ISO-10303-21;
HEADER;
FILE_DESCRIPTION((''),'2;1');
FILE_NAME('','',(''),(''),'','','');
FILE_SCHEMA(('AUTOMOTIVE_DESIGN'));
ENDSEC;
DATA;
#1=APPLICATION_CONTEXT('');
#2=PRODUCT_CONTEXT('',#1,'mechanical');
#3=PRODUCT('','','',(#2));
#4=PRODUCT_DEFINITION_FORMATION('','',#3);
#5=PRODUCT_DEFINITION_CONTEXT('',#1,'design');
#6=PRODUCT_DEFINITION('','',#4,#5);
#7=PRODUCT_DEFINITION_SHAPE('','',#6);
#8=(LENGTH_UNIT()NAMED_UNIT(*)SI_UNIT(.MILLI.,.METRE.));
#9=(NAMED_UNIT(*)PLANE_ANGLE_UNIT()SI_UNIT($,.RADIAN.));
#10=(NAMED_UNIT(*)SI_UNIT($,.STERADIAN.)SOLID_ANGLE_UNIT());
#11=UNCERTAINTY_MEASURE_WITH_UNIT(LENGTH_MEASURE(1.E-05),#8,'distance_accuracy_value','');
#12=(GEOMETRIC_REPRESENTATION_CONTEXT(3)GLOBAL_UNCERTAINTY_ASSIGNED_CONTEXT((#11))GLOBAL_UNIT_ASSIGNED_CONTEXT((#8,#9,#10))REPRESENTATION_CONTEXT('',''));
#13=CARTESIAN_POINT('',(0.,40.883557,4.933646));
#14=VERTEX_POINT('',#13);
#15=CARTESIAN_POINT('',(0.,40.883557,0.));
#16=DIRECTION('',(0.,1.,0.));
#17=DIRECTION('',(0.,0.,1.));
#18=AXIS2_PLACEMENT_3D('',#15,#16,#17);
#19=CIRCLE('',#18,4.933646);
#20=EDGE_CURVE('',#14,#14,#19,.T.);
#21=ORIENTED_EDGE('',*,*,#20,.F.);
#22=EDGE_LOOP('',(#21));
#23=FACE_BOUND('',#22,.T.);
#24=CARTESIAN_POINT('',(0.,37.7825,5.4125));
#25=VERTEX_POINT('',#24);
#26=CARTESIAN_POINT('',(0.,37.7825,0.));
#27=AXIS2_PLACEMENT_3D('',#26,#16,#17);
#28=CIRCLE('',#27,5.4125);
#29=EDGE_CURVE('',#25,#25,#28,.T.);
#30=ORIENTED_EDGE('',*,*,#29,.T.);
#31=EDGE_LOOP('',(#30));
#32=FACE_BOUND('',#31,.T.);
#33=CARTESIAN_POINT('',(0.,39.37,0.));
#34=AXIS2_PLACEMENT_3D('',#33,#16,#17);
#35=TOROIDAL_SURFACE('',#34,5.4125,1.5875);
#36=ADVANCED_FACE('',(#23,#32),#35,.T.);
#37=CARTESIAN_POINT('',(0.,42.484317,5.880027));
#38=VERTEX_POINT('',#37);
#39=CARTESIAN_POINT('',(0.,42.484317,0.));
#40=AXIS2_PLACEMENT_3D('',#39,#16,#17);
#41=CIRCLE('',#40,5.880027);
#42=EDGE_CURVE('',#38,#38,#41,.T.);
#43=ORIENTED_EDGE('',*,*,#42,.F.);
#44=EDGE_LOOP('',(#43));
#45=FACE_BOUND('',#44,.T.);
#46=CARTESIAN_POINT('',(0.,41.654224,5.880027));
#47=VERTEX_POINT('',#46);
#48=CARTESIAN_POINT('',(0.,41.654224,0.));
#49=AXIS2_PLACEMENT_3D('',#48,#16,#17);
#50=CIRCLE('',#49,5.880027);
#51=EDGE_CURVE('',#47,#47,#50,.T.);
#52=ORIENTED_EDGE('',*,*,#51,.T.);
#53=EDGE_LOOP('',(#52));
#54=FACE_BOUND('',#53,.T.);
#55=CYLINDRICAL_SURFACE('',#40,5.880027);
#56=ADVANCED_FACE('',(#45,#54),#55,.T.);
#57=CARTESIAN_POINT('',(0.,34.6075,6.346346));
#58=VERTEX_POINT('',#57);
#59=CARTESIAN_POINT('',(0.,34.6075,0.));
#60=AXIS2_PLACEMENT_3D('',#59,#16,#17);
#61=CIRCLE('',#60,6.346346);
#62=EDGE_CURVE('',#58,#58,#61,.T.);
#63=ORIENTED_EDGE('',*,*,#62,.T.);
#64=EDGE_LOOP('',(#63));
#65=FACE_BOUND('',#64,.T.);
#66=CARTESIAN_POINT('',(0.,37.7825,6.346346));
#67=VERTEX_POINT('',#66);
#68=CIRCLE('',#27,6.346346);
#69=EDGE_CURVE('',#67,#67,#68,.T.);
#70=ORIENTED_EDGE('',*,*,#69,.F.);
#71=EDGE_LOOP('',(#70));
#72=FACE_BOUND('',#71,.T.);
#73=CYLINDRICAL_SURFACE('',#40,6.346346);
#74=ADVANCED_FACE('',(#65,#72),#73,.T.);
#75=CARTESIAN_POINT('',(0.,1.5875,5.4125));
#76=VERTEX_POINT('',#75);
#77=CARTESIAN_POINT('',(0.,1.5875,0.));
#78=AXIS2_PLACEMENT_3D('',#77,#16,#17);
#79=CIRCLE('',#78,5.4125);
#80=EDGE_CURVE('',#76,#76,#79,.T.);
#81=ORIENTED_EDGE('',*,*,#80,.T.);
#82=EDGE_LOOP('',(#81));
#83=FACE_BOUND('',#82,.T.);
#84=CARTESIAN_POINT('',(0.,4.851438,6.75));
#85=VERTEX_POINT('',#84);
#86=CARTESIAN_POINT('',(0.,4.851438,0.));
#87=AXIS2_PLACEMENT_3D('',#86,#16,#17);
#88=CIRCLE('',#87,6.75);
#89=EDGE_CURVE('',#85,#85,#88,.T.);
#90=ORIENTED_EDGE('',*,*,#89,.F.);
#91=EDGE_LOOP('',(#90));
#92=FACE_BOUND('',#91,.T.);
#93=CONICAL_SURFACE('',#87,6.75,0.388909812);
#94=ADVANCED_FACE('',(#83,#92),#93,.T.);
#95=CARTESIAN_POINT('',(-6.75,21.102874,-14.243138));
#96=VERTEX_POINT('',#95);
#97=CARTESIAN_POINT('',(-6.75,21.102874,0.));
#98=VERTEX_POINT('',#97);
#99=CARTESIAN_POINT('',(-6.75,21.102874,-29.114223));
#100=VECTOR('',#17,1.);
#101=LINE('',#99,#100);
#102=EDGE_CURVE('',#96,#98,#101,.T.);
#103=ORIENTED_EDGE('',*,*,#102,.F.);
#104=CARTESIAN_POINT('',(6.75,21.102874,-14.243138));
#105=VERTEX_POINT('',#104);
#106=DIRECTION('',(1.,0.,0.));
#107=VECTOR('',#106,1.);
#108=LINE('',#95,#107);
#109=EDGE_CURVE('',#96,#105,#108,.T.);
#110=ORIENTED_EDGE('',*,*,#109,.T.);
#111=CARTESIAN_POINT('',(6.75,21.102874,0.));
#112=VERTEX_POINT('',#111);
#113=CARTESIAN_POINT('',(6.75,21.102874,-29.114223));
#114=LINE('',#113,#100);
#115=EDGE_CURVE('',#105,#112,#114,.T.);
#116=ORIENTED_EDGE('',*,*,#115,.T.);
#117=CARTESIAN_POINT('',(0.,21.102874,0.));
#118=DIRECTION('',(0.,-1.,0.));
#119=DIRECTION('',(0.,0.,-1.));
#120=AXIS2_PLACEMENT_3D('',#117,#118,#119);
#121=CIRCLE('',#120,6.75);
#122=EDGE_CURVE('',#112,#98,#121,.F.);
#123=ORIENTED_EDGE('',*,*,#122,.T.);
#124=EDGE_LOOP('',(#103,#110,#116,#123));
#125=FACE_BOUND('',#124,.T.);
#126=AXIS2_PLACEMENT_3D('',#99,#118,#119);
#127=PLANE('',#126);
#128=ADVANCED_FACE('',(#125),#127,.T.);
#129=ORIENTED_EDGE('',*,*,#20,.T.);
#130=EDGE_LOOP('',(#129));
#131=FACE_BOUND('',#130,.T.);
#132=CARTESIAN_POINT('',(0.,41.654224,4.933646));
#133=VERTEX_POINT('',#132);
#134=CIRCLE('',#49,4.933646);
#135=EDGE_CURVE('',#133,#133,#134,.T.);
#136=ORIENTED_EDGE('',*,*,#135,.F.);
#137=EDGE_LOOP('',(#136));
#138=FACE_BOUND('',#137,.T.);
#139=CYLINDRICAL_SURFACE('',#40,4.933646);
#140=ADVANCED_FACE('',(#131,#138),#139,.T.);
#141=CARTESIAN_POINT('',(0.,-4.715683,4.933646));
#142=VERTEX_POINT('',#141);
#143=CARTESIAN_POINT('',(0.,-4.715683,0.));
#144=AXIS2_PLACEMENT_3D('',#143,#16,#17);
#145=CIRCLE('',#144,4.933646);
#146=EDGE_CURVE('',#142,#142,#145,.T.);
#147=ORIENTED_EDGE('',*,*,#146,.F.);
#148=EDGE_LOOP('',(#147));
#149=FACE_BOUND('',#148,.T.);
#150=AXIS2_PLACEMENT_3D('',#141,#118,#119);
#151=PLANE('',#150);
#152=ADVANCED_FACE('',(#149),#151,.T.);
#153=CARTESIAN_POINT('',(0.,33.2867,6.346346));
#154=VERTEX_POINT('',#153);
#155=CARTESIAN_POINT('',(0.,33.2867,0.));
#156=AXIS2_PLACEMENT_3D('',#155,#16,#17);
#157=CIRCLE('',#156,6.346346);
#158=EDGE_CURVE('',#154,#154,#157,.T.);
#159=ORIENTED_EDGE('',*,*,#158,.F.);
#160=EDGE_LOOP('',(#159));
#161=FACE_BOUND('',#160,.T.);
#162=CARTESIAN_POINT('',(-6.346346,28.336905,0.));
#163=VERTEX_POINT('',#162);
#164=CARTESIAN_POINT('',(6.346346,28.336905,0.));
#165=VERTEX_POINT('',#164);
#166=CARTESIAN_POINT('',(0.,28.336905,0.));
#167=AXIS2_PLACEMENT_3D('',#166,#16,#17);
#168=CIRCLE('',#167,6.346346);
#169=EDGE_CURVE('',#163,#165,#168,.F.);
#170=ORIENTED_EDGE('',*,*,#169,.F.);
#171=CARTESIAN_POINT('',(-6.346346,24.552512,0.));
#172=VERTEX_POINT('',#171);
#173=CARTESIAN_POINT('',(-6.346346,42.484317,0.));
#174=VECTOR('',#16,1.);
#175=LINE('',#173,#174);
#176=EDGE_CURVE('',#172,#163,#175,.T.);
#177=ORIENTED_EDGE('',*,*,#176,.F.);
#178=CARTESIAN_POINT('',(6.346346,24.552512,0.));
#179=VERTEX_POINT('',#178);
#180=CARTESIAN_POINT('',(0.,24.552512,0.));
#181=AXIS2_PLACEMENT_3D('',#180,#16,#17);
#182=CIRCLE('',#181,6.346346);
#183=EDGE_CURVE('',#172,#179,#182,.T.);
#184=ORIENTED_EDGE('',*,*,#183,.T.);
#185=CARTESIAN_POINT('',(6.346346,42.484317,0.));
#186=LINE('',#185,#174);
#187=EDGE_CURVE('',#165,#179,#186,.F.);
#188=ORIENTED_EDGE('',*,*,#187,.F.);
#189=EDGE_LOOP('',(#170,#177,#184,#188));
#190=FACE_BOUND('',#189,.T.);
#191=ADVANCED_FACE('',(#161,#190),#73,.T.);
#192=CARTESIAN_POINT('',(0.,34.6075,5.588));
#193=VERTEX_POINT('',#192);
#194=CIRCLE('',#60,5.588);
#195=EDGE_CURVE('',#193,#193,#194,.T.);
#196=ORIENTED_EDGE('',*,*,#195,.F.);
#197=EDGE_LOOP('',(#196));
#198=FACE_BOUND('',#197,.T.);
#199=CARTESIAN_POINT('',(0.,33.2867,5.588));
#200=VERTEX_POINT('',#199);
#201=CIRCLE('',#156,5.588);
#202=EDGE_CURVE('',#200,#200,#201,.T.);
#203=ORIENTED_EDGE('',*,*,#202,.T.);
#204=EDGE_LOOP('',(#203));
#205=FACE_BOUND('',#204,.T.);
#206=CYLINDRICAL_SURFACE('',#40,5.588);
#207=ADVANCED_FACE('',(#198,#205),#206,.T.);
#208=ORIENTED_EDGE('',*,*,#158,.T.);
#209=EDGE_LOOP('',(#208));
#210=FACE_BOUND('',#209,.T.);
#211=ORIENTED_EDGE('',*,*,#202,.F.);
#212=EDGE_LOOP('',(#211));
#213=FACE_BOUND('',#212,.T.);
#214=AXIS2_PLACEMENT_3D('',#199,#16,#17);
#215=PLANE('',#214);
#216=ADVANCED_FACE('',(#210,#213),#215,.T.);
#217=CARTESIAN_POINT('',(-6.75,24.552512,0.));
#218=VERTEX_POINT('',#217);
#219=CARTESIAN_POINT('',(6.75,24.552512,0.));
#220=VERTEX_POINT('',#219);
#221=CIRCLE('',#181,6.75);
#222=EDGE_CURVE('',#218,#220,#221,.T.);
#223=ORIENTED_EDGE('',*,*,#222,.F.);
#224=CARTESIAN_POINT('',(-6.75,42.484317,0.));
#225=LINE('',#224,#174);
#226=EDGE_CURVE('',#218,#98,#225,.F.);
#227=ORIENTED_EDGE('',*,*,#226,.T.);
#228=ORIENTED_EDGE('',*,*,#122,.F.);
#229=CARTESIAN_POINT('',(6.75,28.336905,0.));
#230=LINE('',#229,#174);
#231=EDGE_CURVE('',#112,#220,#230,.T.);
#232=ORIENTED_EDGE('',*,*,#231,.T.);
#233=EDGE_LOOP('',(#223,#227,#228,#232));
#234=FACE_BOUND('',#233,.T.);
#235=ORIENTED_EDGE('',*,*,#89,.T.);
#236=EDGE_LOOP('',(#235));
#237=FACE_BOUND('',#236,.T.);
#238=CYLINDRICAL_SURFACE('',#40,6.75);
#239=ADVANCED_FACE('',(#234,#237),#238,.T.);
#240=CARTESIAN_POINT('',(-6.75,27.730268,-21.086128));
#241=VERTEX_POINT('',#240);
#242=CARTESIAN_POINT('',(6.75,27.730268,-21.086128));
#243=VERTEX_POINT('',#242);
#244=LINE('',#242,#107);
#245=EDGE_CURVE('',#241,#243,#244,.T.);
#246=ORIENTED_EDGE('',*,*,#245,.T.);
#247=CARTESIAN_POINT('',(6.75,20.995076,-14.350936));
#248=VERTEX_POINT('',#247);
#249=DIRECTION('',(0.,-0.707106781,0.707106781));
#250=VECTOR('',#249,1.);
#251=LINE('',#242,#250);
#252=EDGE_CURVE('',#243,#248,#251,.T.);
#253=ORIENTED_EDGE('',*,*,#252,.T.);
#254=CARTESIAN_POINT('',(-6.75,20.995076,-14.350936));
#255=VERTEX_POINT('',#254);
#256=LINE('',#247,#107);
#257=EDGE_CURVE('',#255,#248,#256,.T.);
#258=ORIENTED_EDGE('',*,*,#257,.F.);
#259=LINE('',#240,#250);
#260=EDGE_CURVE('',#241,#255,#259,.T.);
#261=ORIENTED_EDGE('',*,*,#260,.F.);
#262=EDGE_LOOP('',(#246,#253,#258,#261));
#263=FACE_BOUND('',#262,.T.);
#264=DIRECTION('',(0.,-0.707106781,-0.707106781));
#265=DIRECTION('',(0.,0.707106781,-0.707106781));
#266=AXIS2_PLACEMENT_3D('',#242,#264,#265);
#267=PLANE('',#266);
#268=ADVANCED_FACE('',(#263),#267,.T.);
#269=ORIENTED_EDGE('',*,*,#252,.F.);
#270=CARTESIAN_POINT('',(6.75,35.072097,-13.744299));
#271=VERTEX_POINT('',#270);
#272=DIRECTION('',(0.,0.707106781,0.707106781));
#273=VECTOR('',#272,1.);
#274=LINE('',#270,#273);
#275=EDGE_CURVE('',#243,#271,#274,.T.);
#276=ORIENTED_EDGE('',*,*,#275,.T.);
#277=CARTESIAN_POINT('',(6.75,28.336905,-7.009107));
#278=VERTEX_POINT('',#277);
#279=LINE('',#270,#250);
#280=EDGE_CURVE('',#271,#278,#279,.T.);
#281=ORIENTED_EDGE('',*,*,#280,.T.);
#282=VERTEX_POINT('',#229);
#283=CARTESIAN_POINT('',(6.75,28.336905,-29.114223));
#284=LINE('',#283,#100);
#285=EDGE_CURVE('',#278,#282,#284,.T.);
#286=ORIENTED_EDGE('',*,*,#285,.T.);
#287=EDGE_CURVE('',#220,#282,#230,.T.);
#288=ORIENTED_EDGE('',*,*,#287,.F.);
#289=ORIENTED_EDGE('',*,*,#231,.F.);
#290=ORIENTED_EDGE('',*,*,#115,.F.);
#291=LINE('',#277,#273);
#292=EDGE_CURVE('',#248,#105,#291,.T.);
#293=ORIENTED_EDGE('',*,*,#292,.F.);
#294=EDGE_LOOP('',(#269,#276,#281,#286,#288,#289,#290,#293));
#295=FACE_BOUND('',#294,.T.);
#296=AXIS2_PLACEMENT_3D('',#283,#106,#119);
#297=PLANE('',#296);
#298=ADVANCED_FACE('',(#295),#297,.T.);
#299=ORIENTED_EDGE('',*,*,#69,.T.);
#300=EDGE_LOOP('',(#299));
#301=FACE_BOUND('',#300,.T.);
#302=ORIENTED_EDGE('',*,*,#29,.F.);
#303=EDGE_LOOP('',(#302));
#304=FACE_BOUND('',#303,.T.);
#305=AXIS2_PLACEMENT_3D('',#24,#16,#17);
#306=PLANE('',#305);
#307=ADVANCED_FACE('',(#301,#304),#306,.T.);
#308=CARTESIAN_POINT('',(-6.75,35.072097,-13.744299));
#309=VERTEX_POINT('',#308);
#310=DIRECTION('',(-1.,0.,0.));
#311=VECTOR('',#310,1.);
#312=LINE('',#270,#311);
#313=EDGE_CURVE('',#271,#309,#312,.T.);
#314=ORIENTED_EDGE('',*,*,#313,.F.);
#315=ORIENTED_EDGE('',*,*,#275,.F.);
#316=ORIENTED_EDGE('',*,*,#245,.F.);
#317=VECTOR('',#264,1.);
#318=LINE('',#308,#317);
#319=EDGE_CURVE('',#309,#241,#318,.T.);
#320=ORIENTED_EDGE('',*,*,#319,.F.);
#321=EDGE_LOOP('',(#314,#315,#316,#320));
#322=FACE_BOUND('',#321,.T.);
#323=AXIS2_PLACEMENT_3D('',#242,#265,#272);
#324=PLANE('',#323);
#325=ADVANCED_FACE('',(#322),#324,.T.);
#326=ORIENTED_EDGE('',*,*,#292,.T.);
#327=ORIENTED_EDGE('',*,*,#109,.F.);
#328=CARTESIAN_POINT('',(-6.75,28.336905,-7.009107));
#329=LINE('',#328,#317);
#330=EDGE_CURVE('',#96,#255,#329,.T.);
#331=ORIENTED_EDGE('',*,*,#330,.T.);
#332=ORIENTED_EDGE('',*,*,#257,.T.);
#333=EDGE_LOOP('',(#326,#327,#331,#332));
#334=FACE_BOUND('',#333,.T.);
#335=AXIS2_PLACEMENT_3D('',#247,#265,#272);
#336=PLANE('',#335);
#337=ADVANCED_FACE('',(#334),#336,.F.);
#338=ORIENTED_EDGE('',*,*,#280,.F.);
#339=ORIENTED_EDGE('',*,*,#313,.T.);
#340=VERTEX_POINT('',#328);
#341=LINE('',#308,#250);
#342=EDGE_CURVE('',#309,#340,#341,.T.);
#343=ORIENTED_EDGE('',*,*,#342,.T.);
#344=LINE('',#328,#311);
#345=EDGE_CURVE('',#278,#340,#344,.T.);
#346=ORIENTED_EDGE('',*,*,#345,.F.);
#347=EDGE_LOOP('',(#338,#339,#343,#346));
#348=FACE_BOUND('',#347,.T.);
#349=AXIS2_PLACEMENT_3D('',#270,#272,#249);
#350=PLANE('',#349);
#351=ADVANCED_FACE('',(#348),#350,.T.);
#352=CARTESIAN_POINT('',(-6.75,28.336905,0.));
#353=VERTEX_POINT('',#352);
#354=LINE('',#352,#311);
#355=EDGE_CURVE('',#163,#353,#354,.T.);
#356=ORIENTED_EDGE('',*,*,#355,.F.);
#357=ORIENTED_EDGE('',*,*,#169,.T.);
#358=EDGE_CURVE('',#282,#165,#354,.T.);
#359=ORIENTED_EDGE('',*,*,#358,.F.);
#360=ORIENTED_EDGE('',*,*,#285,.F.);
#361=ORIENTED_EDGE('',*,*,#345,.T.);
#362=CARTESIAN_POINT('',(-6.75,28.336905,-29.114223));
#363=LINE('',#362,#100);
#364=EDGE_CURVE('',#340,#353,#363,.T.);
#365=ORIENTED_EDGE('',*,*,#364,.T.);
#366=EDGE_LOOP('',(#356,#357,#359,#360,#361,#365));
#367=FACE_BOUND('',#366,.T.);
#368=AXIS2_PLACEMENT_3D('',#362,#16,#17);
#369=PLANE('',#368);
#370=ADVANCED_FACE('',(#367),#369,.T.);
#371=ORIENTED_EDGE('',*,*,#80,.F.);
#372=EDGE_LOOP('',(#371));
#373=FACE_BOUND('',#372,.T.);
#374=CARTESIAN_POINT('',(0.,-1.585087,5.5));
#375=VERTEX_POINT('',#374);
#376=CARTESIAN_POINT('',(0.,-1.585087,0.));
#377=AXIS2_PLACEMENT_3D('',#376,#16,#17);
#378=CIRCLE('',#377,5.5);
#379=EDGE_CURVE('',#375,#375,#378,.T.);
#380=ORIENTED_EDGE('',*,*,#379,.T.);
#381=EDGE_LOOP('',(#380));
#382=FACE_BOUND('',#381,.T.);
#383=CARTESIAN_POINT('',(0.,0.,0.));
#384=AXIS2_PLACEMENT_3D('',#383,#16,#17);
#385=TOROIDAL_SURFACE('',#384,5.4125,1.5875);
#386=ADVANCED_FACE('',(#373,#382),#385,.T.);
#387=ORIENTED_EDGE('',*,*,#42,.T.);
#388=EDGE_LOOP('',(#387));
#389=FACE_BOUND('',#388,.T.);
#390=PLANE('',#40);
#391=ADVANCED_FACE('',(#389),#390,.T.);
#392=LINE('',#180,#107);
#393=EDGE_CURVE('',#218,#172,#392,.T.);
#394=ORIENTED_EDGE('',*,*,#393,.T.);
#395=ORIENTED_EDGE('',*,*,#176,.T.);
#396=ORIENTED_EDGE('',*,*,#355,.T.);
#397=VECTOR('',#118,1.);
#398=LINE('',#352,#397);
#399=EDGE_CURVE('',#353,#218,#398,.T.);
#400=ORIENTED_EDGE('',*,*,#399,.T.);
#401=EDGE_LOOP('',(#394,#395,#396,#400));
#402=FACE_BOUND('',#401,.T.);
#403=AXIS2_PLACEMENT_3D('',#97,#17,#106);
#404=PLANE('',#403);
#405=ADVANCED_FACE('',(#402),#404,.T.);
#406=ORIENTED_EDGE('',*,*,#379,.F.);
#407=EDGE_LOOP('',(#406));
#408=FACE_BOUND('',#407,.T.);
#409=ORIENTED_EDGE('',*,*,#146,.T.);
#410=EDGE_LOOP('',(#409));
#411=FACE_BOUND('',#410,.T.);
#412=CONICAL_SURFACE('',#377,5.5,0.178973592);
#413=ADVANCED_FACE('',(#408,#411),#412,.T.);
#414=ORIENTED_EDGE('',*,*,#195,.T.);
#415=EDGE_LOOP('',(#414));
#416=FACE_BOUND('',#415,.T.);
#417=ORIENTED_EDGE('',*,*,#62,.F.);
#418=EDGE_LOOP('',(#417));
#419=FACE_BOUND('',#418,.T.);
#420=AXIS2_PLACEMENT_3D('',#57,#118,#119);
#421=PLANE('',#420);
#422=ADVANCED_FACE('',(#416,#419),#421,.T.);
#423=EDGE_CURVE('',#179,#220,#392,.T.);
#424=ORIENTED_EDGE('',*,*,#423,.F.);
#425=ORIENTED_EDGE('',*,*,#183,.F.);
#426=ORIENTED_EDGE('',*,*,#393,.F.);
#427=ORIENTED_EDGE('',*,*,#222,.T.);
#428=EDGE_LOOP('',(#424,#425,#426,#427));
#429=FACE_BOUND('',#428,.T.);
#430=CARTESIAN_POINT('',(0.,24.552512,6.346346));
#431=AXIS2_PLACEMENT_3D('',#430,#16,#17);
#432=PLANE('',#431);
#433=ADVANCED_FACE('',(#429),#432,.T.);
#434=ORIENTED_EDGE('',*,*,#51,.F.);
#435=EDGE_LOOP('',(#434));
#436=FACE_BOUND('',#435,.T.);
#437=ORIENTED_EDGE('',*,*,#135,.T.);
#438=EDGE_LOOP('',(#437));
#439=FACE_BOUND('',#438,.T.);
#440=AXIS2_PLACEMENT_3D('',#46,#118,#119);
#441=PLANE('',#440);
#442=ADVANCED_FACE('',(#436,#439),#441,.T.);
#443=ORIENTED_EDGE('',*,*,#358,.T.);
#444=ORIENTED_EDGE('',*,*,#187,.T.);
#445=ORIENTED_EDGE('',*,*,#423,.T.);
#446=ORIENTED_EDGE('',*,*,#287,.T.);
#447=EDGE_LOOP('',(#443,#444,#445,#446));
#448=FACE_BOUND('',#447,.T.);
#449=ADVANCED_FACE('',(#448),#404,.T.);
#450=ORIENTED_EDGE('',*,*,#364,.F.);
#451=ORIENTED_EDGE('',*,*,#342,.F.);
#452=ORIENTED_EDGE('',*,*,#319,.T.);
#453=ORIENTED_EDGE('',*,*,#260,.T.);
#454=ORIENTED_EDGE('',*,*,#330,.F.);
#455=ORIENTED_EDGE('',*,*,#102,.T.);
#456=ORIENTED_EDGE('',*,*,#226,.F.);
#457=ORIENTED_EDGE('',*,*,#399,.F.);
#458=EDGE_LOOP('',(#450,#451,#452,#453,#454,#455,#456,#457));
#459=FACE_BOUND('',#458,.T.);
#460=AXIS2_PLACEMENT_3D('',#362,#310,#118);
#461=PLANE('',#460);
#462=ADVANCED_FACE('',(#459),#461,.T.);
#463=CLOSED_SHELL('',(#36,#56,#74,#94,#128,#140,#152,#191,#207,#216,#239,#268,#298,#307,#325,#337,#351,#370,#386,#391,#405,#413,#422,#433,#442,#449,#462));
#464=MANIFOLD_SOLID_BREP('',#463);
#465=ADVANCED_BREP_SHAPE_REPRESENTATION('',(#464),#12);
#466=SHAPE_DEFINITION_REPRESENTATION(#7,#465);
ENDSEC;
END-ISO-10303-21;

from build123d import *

# Parameters (mm, degrees)
SKETCH3_W           = 13.5
SKETCH3_H           = 10.382914324
BOSS_EXTRUDE1_DEPTH = 9.525
BOSS_EXTRUDE2_START = -14.243138
SKETCH4_W           = 13.5
SKETCH4_H           = 7.234030804
BOSS_EXTRUDE2_DEPTH = 14.243138


with BuildPart() as part:
    # Sketch1 → Revolve1 (revolve)
    with BuildSketch(Plane(origin=(0, 0, 0), x_dir=(0, 0, -1), z_dir=(1, 0, 0))):
        with BuildLine():
            Line((0, 42.48431703), (0, -4.71568297))
            Line((0, -4.71568297), (-4.933645932, -4.71568297))
            Line((-4.933645932, -4.71568297), (-5.5, -1.585086748))
            ThreePointArc((-5.5, -1.585086748), (-6.999396572, 0.043766636), (-5.4125, 1.5875))
            Line((-5.4125, 1.5875), (-6.75, 4.851437808))
            Line((-6.75, 4.851437808), (-6.75, 24.552512087))
            Line((-6.75, 24.552512087), (-6.346345985, 24.552512087))
            Line((-6.346345985, 24.552512087), (-6.346345985, 33.2867))
            Line((-6.346345985, 33.2867), (-5.588, 33.2867))
            Line((-5.588, 33.2867), (-5.588, 34.6075))
            Line((-5.588, 34.6075), (-6.346345985, 34.6075))
            Line((-6.346345985, 34.6075), (-6.346345985, 37.7825))
            Line((-6.346345985, 37.7825), (-5.4125, 37.7825))
            ThreePointArc((-5.4125, 37.7825), (-6.981405369, 39.612264718), (-4.933645932, 40.883557079))
            Line((-4.933645932, 40.883557079), (-4.933645932, 41.654223502))
            Line((-4.933645932, 41.654223502), (-5.880026524, 41.654223502))
            Line((-5.880026524, 41.654223502), (-5.880026524, 42.48431703))
            Line((-5.880026524, 42.48431703), (0, 42.48431703))
        make_face()
    revolve(axis=Axis((0, 42.48431703, 0), (0, -1, 0)))



with BuildPart() as body_2:
    # Sketch3 → Boss-Extrude1 (new body)
    with BuildSketch(Plane(origin=(0, 17.673005927, -17.673005927), x_dir=(1, 0, 0), z_dir=(0, -0.707106781, 0.707106781))):
        with Locations((0, 9.889573108)):
            Rectangle(SKETCH3_W, SKETCH3_H)
    extrude(amount=-BOSS_EXTRUDE1_DEPTH)


with BuildPart() as part_1:
    add(part.part)

    add(body_2.part)  # Boss-Extrude2 merges body 2
    # Sketch4 → Boss-Extrude2 (add)
    with BuildSketch(Plane.XY.offset(BOSS_EXTRUDE2_START)):
        with Locations((0, 24.719889296)):
            Rectangle(SKETCH4_W, SKETCH4_H)
    extrude(amount=BOSS_EXTRUDE2_DEPTH)


solid = part_1.part
